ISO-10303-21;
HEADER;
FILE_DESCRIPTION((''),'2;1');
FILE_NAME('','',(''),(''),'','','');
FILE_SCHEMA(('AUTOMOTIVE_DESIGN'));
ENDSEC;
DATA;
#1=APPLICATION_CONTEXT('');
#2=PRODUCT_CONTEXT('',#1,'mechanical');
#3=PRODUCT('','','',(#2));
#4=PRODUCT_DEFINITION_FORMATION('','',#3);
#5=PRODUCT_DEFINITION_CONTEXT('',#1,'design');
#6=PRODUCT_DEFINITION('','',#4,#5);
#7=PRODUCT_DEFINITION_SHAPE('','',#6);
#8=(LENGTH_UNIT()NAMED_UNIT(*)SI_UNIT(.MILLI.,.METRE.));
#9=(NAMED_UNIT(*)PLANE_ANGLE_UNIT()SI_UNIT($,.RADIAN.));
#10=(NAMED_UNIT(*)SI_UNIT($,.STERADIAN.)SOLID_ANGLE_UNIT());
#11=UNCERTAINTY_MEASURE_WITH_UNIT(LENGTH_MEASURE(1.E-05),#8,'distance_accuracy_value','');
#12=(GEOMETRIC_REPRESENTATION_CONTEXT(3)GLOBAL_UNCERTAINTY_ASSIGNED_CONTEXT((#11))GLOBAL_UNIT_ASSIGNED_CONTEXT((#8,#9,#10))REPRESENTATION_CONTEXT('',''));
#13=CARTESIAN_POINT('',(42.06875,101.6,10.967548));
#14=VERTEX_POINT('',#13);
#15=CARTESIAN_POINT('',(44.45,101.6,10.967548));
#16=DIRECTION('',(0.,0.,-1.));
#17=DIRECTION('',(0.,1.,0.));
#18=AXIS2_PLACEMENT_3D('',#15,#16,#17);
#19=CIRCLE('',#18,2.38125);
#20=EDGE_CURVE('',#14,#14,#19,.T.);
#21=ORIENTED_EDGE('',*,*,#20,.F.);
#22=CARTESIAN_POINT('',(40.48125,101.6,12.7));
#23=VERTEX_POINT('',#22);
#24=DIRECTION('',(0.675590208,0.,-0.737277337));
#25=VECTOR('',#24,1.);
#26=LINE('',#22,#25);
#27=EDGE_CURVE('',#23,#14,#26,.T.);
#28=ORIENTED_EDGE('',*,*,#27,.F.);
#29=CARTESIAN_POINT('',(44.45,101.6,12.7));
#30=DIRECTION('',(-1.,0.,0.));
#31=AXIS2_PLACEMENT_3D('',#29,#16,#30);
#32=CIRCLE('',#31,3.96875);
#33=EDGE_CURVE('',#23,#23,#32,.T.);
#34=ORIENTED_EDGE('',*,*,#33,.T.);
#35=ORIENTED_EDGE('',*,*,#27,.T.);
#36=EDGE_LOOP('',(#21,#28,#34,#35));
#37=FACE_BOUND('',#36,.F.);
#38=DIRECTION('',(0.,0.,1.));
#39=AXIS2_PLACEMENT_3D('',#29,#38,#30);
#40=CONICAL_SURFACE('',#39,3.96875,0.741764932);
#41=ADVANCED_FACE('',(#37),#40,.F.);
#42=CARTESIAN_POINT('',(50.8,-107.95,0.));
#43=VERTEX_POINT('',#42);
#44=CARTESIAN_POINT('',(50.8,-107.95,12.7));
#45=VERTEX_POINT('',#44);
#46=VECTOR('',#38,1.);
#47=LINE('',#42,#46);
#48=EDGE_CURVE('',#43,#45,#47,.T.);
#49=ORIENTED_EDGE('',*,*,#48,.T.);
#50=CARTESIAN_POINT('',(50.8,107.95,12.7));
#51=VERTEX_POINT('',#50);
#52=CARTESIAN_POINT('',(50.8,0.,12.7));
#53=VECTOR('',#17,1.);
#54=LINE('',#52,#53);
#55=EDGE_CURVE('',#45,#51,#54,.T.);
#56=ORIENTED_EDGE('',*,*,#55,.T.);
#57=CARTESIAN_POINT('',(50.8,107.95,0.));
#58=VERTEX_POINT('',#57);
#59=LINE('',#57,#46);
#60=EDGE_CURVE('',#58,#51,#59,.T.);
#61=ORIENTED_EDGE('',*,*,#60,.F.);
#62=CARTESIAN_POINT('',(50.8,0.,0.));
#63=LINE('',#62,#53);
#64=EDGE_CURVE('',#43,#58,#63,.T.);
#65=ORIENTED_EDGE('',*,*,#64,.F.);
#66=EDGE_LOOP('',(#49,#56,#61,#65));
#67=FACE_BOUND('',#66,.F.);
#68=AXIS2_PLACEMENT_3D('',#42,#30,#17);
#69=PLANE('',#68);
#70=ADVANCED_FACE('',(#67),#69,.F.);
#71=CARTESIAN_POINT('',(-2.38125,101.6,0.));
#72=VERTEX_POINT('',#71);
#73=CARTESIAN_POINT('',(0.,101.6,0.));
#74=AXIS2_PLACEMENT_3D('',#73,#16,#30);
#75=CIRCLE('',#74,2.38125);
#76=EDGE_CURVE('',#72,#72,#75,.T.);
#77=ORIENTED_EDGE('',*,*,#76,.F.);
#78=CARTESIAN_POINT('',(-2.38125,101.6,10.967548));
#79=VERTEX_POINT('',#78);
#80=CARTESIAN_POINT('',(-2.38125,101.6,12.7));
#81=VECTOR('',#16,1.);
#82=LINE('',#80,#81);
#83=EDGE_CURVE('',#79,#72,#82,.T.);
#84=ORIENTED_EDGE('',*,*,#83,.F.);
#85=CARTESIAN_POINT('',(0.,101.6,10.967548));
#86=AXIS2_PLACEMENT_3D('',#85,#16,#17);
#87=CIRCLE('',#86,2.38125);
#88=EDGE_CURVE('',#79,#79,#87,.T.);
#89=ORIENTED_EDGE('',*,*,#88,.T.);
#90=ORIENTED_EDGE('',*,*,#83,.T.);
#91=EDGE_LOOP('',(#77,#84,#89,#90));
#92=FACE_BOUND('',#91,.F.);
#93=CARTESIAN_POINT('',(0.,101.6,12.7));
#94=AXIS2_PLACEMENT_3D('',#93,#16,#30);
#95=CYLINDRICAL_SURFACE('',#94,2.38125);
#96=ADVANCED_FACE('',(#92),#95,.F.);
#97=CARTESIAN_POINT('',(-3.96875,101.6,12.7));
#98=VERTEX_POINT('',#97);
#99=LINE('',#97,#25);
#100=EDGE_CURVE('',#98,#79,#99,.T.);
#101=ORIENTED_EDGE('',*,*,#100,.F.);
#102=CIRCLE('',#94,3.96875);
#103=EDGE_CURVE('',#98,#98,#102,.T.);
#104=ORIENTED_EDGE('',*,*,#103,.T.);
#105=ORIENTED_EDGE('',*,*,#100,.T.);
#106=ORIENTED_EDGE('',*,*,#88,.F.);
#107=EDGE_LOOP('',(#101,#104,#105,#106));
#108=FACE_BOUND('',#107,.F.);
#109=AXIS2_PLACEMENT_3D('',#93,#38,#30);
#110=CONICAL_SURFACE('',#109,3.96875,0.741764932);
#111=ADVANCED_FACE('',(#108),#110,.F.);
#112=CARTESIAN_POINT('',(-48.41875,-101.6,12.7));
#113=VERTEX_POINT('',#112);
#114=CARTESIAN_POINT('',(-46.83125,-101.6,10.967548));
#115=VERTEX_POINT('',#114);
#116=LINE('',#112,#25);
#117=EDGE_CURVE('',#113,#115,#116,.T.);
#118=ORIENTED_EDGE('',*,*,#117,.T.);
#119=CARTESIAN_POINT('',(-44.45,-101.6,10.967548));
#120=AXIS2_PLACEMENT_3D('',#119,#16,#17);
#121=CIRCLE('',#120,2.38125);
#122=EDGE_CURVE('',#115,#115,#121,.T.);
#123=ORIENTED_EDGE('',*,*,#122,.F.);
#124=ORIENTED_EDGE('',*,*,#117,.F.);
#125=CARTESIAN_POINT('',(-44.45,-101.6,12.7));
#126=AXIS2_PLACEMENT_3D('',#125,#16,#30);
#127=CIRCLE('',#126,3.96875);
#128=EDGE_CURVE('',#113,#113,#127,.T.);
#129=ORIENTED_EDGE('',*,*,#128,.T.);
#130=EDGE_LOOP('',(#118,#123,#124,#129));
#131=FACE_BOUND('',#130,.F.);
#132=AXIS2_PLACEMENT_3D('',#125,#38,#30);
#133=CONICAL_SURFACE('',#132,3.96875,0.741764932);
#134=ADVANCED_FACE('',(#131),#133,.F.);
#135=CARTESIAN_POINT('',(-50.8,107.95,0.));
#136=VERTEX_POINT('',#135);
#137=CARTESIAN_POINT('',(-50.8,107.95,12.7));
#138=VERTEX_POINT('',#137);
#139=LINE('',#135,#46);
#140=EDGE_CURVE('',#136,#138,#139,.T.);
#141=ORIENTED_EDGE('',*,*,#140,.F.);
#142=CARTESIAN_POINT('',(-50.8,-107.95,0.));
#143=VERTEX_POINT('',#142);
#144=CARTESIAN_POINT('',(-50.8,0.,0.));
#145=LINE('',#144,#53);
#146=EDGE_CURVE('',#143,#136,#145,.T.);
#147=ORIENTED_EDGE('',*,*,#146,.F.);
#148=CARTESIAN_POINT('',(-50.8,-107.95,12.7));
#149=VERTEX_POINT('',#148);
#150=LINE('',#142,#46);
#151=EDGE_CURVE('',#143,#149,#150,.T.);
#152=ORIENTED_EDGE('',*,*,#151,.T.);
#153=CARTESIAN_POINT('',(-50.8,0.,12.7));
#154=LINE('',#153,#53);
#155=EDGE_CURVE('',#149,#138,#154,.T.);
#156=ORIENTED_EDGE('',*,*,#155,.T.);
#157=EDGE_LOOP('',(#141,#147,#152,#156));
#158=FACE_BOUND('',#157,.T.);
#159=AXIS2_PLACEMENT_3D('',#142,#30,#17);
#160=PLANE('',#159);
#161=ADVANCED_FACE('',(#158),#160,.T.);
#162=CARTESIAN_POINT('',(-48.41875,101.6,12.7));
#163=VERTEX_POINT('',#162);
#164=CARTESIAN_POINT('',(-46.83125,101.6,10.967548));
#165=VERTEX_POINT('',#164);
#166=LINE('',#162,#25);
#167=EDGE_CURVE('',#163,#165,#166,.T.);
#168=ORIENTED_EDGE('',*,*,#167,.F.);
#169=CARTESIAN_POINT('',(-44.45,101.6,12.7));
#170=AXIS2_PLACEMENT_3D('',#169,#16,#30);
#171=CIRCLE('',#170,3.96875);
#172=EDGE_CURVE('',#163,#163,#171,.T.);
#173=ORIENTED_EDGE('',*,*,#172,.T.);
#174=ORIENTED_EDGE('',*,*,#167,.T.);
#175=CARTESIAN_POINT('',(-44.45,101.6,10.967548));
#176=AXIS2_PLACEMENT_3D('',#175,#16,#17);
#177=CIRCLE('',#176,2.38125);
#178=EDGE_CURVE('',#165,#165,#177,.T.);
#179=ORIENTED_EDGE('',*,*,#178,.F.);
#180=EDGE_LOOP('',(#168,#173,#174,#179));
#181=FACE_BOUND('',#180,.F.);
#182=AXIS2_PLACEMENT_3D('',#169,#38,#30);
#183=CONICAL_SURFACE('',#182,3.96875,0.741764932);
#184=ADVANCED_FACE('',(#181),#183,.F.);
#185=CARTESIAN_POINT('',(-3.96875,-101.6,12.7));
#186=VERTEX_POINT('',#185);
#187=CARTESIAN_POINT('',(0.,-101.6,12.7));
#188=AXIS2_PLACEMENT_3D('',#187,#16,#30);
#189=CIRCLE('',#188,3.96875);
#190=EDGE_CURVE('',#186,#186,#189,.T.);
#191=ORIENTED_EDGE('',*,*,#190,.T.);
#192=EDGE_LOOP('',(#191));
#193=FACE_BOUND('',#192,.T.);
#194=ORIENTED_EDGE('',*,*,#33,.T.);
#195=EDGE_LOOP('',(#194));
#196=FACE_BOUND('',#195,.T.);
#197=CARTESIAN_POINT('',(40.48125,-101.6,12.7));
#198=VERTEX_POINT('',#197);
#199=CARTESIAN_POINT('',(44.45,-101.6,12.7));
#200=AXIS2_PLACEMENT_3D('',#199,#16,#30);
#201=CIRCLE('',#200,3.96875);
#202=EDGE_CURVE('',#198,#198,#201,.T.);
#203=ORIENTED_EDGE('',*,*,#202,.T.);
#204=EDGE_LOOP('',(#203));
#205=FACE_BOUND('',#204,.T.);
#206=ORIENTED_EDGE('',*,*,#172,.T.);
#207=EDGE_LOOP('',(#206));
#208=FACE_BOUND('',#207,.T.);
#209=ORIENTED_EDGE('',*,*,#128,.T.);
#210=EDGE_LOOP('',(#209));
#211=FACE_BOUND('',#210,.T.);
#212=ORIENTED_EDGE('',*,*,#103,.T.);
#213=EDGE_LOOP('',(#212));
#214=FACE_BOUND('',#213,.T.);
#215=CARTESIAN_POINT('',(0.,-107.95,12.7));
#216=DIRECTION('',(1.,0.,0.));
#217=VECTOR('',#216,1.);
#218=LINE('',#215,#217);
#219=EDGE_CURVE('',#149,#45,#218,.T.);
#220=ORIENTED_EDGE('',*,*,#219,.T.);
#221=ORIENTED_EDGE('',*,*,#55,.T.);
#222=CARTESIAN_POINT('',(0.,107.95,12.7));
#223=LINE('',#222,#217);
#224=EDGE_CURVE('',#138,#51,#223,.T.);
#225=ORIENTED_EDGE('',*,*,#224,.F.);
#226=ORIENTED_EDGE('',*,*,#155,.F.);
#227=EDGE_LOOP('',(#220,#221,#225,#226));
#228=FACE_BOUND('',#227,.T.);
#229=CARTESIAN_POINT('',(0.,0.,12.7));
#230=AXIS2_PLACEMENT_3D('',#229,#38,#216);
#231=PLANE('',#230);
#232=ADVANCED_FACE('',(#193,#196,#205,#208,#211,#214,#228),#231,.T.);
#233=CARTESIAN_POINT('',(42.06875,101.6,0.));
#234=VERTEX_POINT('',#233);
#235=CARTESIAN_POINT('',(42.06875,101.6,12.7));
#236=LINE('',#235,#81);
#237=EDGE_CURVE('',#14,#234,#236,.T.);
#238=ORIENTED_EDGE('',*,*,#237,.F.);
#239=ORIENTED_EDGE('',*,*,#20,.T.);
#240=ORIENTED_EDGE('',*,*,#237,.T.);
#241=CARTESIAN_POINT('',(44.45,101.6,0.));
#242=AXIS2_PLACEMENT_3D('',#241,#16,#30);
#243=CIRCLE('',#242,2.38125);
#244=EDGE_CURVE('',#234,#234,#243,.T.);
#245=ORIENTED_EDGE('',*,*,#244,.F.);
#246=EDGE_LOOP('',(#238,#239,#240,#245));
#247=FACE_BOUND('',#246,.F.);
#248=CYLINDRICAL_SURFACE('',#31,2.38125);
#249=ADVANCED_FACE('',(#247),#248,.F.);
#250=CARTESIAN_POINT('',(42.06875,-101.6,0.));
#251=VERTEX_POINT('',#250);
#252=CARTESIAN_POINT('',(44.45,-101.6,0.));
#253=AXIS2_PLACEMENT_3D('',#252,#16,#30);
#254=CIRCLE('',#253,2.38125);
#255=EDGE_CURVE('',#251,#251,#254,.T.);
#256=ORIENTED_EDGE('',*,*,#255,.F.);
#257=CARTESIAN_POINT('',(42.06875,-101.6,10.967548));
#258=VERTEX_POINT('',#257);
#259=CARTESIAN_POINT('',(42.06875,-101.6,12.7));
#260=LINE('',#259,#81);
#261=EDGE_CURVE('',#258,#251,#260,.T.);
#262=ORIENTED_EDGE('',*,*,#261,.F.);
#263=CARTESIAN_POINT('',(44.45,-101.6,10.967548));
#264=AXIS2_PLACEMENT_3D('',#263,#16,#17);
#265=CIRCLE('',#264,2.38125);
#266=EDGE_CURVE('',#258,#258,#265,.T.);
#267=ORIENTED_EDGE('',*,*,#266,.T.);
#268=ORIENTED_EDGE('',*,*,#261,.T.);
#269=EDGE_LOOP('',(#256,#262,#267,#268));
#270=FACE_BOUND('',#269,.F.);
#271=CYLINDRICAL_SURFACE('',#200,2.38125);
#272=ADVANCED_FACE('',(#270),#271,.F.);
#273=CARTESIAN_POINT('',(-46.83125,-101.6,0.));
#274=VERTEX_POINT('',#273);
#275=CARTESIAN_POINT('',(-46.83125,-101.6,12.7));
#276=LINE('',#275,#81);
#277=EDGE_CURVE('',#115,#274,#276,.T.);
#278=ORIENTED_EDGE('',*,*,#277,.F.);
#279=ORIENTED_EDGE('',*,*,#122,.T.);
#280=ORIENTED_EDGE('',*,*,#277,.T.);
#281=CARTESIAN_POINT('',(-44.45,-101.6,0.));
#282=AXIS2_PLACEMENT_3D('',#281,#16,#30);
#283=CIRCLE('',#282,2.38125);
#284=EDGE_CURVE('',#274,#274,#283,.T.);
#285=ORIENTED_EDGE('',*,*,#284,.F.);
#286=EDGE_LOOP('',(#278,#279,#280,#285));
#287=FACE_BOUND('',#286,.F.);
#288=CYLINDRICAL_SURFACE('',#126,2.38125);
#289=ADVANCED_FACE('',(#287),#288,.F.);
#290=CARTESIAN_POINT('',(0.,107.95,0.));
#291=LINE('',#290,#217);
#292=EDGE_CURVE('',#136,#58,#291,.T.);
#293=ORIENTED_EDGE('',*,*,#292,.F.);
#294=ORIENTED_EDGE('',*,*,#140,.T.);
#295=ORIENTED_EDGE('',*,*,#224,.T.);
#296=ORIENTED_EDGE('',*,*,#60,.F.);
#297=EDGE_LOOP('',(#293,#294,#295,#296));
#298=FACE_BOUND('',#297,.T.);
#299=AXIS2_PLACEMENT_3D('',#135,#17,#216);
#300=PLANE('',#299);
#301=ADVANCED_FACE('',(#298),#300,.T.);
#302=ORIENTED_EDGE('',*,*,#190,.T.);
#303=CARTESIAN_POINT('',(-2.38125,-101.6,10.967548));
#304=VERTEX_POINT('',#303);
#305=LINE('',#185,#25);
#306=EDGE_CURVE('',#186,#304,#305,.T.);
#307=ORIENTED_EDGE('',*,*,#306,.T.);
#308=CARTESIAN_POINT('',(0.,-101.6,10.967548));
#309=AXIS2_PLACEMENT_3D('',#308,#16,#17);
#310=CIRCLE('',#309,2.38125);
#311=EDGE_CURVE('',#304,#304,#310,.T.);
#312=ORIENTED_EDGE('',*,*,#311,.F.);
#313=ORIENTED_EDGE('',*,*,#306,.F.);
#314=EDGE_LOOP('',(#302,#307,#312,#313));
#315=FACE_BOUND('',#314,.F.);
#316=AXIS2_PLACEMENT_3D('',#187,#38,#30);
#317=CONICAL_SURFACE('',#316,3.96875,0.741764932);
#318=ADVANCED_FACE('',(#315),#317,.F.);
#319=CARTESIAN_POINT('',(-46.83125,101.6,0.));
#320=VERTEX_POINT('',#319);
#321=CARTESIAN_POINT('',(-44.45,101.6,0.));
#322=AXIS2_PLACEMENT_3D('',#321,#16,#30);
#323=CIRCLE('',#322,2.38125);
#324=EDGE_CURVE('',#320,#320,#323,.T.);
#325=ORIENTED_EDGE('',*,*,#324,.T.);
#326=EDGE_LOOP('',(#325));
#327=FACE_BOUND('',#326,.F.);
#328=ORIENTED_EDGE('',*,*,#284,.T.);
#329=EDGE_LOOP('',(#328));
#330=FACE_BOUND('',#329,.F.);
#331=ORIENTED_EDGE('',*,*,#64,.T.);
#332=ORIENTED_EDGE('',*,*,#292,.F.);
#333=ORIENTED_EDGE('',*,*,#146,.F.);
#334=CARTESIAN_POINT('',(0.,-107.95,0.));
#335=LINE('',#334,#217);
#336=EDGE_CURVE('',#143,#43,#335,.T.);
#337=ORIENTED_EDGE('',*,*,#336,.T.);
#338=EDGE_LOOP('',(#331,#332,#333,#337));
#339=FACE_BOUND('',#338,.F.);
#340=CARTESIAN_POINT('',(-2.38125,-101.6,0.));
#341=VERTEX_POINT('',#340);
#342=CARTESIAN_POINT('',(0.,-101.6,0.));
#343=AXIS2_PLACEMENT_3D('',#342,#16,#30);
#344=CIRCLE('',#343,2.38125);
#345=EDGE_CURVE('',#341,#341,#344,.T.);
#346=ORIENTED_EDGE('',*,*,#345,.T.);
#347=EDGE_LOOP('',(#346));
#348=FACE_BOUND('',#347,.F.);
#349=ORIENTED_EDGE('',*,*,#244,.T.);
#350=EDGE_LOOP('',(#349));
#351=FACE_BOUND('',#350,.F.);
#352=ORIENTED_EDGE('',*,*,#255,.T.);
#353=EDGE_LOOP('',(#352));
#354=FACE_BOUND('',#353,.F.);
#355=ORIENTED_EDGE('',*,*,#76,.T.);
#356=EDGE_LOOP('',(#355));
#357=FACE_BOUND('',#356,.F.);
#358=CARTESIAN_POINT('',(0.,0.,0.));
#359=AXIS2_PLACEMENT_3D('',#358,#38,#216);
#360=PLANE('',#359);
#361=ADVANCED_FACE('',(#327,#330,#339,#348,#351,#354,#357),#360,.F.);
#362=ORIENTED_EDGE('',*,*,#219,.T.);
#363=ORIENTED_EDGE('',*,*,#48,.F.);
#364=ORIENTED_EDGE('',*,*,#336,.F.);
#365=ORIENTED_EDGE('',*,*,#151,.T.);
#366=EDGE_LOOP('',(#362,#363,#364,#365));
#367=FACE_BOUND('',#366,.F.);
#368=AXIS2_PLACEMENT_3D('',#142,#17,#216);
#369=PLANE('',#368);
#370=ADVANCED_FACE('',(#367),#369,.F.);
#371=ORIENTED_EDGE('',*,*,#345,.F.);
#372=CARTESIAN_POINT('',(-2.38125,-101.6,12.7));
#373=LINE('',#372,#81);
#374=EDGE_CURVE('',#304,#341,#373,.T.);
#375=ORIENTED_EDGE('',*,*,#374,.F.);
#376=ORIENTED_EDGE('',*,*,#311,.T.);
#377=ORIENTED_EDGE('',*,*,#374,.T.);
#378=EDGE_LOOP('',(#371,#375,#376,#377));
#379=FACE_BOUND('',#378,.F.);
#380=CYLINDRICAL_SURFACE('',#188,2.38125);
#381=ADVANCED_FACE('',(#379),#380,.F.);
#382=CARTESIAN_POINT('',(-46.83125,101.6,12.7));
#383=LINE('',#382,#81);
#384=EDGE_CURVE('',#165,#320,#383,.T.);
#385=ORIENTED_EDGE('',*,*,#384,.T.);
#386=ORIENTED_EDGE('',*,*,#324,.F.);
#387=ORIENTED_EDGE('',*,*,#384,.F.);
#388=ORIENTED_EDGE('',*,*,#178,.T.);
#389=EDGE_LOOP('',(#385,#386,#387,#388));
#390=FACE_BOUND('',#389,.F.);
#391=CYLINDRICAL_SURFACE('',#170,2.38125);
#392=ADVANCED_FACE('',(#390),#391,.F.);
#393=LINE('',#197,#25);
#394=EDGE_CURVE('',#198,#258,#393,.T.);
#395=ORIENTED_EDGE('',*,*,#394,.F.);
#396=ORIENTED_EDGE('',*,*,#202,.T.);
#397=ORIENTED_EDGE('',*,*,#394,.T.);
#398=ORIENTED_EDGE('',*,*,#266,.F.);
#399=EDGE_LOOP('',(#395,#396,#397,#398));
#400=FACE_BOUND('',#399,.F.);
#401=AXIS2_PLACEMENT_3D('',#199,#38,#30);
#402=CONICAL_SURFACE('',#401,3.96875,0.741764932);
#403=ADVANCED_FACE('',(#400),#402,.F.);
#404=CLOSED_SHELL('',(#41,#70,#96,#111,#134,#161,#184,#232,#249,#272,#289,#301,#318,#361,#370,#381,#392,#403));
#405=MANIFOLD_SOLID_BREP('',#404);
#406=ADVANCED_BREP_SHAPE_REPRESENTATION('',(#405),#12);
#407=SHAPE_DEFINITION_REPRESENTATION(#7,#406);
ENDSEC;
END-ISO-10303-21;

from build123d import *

# Parameters (mm, degrees)
F0_W           = 101.6
F0_H           = 215.9
F1_DEPTH       = 12.7
F3_D           = 4.7625
F3_CSINK_D     = 7.9375
F3_CSINK_ANGLE = 85


with BuildPart() as f1:
    # F0 (on Top) → F1 (new body)
    with BuildSketch(Plane.XY):
        Rectangle(F0_W, F0_H)
    extrude(amount=F1_DEPTH)

    # F3 (through all)
    with Locations(Plane.XY.offset(12.7)):
        with Locations((0, 101.6), (44.45, 101.6), (-44.45, 101.6), (0, -101.6), (44.45, -101.6), (-44.45, -101.6)):
            CounterSinkHole(F3_D / 2, F3_CSINK_D / 2, counter_sink_angle=F3_CSINK_ANGLE)


solid = f1.part
